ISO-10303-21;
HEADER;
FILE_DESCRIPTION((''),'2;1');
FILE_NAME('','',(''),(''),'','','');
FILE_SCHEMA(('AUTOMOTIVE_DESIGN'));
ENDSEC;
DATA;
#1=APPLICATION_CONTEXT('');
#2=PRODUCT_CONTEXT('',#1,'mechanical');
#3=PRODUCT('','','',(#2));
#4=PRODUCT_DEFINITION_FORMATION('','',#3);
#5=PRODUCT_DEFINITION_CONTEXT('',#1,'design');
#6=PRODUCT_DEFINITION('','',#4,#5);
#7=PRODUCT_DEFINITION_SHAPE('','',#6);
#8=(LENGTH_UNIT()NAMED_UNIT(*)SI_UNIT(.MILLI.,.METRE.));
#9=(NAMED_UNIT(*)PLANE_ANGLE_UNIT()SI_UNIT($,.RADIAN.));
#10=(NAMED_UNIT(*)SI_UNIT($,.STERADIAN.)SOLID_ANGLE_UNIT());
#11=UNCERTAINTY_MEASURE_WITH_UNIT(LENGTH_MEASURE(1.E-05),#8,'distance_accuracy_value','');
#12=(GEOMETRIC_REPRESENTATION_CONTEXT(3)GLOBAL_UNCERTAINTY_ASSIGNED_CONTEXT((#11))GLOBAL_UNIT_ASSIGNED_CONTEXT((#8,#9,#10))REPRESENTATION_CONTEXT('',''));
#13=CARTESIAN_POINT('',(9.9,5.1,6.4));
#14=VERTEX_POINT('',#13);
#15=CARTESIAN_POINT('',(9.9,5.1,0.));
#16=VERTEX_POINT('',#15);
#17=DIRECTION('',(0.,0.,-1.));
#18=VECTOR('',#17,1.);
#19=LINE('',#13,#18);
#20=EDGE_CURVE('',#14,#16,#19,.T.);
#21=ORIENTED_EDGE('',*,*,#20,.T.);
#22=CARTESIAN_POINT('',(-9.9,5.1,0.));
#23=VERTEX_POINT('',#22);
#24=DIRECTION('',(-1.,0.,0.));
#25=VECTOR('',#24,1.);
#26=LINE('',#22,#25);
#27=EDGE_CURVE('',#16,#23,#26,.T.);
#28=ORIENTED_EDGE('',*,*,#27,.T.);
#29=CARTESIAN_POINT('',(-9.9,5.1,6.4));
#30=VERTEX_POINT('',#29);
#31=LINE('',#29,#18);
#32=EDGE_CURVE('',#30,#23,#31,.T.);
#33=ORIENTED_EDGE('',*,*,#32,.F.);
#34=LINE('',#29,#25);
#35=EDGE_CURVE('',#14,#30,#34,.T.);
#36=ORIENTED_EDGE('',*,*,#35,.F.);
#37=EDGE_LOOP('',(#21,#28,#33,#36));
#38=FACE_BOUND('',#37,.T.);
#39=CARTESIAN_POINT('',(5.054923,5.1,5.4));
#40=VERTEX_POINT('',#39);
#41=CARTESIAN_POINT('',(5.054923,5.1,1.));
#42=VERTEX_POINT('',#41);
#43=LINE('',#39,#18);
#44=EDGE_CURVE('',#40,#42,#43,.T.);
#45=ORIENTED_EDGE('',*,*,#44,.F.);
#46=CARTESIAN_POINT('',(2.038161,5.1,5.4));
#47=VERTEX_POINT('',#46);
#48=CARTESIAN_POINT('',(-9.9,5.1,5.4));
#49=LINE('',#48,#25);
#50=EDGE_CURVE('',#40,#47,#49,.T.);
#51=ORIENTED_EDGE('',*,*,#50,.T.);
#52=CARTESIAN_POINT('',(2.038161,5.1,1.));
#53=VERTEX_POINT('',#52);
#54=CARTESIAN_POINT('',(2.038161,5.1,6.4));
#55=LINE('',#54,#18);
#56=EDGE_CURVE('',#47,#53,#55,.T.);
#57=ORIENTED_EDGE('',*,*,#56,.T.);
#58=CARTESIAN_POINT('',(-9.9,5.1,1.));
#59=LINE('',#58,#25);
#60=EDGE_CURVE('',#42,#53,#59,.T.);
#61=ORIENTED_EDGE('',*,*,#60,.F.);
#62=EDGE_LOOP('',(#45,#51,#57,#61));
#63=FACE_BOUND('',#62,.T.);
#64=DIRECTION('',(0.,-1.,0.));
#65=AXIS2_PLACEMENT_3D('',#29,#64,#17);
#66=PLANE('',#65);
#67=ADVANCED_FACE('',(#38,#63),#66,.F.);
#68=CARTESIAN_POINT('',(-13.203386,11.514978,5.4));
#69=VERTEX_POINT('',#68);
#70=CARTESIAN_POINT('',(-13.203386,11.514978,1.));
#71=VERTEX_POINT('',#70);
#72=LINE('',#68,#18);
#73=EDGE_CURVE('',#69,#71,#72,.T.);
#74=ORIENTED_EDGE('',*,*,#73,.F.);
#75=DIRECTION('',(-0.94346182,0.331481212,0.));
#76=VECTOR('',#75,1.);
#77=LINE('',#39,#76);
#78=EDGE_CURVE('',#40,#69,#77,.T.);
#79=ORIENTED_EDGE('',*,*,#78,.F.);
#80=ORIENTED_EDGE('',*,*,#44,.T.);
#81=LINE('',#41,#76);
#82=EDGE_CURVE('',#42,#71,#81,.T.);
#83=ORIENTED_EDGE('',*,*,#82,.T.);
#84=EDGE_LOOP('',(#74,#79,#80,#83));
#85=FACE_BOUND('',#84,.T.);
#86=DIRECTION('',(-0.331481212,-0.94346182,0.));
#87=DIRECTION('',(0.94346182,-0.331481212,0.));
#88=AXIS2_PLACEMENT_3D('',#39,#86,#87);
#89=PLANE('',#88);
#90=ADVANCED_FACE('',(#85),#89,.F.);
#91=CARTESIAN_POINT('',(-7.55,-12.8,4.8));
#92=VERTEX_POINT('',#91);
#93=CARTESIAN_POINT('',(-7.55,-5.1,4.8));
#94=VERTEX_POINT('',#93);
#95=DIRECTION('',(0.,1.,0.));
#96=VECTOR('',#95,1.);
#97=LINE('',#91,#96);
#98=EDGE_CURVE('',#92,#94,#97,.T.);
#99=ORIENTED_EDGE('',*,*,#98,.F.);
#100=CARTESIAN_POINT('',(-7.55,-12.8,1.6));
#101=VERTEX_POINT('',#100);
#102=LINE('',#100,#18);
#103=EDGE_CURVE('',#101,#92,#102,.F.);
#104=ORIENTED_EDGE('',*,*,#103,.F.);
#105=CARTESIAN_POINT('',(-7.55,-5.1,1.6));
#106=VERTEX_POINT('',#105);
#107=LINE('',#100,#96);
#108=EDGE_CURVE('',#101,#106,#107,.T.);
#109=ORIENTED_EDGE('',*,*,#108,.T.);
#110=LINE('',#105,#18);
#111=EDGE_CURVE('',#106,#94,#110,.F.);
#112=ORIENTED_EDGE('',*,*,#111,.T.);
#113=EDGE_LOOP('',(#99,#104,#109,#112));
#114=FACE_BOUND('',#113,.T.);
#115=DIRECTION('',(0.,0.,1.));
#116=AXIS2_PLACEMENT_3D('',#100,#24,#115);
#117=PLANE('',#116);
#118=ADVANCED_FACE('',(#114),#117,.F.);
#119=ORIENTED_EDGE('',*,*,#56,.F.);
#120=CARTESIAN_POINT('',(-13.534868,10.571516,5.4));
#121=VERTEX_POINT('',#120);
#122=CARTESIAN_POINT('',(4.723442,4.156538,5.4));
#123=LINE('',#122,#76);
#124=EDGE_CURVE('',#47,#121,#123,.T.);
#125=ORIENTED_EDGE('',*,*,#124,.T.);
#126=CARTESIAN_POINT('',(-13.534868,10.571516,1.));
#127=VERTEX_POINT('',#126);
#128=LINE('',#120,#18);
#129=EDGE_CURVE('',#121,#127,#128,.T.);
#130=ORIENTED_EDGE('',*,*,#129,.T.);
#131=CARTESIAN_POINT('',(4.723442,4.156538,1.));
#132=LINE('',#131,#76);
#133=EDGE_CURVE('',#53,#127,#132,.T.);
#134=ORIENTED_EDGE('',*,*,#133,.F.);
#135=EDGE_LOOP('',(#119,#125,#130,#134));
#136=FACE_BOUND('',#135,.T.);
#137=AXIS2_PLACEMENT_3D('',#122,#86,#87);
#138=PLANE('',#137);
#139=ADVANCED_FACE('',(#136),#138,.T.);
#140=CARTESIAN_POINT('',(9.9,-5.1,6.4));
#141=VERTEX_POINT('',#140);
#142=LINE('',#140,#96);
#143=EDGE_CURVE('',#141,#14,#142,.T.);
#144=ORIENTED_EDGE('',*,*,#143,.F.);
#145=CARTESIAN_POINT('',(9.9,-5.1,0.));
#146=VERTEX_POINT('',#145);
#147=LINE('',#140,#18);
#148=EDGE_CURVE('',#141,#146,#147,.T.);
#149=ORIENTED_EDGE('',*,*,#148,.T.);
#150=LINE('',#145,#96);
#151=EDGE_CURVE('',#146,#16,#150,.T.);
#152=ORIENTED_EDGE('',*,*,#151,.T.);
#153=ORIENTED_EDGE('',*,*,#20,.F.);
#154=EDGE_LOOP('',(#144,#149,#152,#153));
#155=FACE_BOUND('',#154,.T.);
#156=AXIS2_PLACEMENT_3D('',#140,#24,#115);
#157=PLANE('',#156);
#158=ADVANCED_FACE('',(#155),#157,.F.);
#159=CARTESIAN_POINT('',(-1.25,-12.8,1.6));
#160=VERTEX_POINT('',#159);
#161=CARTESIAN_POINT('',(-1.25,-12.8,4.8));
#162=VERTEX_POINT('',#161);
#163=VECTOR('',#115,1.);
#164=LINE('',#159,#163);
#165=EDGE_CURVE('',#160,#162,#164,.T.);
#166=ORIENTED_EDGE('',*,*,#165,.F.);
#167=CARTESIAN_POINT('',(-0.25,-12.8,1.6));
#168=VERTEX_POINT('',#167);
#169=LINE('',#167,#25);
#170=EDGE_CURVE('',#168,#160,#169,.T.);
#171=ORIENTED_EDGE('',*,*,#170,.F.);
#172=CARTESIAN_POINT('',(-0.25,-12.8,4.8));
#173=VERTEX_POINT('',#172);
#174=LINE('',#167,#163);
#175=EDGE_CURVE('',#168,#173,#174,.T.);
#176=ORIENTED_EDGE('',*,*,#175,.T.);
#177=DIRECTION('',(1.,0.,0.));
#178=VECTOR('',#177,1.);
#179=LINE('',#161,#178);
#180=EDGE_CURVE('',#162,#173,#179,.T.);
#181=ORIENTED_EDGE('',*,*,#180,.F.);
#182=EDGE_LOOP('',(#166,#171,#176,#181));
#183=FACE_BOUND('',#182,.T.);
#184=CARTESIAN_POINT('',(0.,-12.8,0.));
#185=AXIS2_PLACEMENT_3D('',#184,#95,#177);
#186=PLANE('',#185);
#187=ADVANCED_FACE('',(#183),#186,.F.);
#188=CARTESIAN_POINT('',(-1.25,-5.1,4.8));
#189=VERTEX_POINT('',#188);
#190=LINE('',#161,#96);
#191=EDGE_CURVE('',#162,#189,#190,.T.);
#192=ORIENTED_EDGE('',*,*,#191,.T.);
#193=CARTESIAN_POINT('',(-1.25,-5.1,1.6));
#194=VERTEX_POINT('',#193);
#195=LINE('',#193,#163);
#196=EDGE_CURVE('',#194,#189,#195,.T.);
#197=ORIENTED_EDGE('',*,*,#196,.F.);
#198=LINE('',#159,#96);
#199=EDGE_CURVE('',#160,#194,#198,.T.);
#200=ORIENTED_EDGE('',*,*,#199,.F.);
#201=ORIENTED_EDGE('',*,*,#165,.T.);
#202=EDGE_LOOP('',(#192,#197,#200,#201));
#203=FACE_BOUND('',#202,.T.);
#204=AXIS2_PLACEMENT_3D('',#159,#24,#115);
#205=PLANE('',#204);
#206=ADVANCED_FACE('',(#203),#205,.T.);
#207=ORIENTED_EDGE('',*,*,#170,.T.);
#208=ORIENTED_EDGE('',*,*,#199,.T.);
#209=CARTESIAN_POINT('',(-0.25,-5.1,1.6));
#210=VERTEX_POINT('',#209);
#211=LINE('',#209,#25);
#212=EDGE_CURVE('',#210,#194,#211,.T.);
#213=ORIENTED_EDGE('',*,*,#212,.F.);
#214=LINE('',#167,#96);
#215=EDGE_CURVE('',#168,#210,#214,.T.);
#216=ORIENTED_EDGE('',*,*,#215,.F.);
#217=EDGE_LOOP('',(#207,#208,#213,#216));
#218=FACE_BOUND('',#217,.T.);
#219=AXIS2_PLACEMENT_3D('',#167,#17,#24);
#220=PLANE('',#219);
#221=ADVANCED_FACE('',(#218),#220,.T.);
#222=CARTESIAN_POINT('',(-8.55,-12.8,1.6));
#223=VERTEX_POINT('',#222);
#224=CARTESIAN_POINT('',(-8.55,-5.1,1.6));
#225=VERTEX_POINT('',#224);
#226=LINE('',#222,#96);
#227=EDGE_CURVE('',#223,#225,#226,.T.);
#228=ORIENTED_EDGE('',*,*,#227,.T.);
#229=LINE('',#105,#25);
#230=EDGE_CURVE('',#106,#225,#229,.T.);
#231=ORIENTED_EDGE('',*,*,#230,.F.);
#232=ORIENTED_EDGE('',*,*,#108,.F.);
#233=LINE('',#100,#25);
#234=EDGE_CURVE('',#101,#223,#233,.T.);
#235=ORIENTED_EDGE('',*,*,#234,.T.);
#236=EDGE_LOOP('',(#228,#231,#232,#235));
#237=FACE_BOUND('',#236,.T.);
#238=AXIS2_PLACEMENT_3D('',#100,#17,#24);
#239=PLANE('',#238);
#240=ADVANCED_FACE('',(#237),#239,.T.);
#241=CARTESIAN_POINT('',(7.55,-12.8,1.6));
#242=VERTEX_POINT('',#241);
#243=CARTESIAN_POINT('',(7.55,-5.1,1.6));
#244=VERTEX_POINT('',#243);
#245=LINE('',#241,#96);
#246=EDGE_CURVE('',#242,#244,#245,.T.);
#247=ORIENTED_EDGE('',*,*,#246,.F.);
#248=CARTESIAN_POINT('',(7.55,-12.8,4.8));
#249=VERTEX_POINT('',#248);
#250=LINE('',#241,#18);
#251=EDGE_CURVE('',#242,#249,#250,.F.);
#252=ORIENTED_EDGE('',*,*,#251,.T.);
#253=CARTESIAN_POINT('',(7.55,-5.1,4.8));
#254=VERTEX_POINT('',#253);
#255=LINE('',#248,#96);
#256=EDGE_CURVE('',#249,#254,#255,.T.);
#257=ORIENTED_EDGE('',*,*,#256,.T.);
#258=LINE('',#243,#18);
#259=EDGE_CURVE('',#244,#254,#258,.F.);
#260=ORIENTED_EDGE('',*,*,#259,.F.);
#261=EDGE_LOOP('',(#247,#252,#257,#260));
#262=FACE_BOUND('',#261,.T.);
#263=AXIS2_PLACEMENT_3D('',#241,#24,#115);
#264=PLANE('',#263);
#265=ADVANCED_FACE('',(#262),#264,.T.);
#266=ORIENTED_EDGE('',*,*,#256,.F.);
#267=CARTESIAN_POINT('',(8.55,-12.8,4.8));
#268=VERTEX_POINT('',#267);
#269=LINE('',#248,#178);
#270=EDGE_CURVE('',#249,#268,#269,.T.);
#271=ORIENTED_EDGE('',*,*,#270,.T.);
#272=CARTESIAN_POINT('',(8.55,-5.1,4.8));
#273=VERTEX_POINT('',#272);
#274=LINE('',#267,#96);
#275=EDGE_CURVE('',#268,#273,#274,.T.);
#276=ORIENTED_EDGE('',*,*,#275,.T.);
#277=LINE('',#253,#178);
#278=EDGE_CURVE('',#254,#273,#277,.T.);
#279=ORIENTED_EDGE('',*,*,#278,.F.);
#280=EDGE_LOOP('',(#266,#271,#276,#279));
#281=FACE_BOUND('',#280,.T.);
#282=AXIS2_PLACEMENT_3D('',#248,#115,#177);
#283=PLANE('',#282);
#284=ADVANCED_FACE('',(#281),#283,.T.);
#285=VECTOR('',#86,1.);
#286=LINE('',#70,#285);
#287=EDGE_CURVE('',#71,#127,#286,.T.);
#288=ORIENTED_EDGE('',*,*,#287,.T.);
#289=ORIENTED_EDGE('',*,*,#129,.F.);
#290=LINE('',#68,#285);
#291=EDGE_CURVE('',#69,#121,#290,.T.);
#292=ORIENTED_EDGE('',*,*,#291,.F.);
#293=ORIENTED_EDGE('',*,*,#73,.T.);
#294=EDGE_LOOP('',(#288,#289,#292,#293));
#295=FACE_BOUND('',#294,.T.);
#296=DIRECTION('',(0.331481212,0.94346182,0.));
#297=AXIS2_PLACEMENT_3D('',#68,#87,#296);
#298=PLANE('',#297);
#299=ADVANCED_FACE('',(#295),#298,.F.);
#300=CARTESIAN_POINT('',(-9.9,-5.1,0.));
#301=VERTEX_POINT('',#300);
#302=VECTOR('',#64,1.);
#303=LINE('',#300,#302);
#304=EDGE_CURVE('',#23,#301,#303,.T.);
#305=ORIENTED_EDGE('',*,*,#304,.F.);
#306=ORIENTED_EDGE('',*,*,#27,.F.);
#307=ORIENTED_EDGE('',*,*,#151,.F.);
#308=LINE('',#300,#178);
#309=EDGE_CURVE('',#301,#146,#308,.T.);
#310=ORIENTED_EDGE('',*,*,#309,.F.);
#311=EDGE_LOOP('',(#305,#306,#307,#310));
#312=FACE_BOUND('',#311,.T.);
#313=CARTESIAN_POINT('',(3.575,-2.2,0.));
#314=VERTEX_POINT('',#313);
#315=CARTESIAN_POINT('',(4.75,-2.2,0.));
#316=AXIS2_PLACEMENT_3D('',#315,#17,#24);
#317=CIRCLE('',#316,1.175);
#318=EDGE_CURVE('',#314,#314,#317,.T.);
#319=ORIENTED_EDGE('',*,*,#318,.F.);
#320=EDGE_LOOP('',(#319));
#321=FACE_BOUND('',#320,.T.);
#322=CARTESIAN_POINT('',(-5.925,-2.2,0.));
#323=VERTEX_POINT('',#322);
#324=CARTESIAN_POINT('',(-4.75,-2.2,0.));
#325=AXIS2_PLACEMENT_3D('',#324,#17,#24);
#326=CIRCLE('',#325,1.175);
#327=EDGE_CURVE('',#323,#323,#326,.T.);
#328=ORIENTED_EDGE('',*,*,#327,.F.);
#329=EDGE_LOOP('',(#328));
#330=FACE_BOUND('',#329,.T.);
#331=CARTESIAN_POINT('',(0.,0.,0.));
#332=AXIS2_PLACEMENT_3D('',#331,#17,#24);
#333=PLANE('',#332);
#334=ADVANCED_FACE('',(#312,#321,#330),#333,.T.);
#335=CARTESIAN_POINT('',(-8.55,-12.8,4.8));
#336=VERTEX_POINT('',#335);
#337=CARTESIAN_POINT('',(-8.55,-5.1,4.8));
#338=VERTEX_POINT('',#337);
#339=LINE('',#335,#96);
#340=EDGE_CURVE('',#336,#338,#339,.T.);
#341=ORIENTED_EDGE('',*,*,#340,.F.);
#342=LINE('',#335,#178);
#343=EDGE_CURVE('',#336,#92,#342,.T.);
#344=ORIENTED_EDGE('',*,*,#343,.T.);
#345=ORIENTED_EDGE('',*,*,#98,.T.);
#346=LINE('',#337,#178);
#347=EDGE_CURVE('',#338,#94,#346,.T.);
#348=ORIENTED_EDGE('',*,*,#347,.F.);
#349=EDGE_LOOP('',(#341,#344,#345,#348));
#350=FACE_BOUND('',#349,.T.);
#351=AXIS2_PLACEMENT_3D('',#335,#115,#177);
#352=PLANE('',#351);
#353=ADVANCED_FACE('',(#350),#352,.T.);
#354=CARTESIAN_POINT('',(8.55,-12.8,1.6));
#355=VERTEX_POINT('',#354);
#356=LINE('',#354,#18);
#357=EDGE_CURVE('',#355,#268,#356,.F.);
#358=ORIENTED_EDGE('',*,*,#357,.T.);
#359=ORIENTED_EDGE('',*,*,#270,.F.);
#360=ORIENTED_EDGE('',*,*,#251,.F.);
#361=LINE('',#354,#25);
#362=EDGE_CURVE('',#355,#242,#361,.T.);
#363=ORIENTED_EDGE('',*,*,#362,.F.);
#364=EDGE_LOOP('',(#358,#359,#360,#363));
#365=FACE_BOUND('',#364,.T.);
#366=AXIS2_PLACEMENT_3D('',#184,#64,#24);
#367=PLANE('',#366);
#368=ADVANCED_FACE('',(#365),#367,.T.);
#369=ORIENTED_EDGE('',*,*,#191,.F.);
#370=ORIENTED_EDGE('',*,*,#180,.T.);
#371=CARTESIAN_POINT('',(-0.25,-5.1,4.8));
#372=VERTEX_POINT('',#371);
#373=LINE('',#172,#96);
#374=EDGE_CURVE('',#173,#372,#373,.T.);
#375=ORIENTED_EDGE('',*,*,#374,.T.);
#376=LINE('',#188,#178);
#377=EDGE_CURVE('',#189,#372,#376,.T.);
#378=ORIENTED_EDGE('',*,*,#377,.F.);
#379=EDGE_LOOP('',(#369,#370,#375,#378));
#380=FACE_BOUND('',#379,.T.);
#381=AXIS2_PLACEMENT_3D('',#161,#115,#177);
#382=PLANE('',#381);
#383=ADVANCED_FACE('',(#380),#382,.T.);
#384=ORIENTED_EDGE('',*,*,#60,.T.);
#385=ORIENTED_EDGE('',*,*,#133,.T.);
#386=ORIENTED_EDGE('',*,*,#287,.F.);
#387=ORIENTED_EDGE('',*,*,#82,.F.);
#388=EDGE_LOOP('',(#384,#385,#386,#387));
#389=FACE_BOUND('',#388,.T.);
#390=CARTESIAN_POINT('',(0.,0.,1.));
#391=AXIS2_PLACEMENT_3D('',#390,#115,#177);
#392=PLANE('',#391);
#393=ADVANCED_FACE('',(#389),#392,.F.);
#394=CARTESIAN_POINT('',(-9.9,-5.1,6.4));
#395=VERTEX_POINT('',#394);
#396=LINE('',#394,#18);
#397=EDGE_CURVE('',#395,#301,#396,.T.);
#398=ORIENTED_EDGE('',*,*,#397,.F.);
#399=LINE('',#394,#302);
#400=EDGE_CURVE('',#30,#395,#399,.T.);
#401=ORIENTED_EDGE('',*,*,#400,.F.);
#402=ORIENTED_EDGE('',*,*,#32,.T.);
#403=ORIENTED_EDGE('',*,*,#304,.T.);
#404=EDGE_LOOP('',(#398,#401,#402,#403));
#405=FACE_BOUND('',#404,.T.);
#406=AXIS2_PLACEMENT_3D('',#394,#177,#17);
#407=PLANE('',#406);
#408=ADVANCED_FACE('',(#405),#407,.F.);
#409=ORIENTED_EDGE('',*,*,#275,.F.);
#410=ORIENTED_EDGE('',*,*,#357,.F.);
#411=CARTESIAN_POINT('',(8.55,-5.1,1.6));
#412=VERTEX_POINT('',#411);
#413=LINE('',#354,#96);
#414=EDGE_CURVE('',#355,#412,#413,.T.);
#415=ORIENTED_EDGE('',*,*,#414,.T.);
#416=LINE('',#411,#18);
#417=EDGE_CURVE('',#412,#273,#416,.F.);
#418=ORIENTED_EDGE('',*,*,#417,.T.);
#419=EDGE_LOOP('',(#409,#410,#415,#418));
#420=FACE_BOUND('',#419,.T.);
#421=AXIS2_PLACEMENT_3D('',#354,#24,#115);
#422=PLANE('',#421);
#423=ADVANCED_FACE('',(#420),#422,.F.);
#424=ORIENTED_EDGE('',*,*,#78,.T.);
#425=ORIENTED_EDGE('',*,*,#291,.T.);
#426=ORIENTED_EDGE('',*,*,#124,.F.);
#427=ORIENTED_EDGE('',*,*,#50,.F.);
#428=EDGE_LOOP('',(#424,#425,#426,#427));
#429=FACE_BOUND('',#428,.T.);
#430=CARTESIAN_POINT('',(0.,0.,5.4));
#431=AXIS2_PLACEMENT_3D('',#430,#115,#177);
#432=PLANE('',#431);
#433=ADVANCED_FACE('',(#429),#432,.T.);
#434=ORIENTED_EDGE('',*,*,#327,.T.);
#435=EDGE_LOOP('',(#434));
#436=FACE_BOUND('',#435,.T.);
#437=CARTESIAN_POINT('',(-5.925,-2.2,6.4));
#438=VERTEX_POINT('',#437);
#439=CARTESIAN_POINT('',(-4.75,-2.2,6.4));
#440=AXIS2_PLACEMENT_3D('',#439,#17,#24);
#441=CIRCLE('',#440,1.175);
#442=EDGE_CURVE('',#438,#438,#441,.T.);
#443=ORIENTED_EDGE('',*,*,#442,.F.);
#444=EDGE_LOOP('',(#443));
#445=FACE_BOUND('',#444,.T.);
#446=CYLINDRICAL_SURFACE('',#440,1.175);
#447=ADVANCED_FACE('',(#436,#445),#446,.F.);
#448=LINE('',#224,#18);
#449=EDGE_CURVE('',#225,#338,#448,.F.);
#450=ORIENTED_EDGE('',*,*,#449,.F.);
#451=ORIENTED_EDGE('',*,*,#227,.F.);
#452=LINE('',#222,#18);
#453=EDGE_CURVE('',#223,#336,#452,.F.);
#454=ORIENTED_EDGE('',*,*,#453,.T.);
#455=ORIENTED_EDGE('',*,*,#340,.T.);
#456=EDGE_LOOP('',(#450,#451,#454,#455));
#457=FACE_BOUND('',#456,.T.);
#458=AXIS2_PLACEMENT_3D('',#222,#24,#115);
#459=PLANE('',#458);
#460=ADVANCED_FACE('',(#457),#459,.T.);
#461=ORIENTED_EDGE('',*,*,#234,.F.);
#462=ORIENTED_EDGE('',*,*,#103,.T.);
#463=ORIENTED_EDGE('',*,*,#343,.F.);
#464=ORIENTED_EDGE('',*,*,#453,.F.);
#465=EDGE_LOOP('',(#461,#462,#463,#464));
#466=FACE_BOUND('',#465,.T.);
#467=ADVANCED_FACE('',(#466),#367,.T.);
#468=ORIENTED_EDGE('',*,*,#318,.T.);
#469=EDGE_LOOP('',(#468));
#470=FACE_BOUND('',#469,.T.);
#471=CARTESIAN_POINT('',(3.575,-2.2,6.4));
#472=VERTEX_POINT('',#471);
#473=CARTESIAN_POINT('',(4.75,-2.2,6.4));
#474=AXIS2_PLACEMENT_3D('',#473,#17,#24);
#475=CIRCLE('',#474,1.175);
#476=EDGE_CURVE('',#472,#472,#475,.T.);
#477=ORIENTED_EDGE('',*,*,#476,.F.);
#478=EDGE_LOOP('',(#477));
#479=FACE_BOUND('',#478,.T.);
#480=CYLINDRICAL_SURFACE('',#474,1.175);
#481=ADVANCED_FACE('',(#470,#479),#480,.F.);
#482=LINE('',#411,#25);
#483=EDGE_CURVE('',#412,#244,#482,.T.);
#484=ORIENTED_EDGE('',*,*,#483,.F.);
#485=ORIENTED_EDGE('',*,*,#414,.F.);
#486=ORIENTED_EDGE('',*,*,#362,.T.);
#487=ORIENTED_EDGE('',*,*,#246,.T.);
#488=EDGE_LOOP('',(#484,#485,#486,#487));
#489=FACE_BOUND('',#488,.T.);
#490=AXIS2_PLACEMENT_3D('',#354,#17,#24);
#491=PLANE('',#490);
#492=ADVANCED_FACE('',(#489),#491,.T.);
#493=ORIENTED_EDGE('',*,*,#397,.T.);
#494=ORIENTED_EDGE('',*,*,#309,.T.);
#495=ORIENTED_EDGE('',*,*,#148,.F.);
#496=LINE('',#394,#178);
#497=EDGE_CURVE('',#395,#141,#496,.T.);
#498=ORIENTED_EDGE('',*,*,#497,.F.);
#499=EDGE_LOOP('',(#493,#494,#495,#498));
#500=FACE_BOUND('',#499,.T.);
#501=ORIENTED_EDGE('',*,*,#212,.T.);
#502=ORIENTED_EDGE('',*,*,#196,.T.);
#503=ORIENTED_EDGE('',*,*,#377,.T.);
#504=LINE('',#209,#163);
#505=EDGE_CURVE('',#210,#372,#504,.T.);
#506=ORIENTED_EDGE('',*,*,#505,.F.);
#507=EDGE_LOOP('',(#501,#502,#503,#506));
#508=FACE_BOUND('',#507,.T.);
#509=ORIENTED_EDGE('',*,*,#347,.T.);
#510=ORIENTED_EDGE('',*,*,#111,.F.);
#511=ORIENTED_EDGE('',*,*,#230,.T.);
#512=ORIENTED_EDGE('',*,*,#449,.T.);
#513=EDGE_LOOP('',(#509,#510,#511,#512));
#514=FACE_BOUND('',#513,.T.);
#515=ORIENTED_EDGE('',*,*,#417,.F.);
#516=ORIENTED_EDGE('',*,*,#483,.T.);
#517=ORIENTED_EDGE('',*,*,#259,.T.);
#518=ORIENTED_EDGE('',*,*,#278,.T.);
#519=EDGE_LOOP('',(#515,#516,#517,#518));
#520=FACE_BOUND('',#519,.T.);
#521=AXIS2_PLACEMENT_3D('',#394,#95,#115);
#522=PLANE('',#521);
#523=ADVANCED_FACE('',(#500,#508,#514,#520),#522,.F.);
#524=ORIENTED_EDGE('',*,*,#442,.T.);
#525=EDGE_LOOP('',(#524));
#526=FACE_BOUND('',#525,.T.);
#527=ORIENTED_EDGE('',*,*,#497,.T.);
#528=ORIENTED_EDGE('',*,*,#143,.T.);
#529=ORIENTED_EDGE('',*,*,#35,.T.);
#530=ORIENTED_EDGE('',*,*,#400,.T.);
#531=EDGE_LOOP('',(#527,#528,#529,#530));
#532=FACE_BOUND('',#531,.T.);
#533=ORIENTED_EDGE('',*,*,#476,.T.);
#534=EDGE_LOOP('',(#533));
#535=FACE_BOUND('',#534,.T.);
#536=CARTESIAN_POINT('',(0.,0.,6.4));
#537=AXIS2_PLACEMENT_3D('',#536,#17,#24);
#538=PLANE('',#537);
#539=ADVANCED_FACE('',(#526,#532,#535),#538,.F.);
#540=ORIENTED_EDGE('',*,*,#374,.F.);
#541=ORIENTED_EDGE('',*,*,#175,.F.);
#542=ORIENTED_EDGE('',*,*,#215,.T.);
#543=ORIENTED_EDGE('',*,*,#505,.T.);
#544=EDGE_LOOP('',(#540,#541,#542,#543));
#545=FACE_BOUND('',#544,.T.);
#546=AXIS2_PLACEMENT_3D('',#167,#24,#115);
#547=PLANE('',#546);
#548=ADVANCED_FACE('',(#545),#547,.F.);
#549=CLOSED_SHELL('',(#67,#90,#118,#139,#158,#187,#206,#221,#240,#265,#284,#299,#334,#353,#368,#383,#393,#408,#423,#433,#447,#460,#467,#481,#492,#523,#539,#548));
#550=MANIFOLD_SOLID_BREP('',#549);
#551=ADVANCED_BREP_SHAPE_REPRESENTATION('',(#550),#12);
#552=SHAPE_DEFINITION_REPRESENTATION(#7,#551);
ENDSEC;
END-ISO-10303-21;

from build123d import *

# Parameters (mm, degrees)
SKETCH_1_W          = 19.8
SKETCH_1_H          = 10.2
EXTRUDE_1_DEPTH     = 6.4
SKETCH_2_R          = 1.175
CUT_EXTRUDE_1_DEPTH = 7.4
SKETCH_3_W          = 1
SKETCH_3_H          = 3.2
EXTRUDE_1_2_DEPTH   = 7.7
EXTRUDE_START       = -1
EXTRUDE_2_DEPTH     = 4.4


with BuildPart() as part:
    # 草图1 → Extrude 1 (new body)
    with BuildSketch(Plane.XY):
        Rectangle(SKETCH_1_W, SKETCH_1_H)
    extrude(amount=EXTRUDE_1_DEPTH)

    # 草图2 → 切除-拉伸1 (cut, through all)
    with BuildSketch(Plane(origin=(0, 0, 0), x_dir=(-1, 0, 0), z_dir=(0, 0, -1))):
        with Locations((-4.75, -2.2)):
            Circle(SKETCH_2_R)
        with Locations((4.75, -2.2)):
            Circle(SKETCH_2_R)
    extrude(amount=-CUT_EXTRUDE_1_DEPTH, mode=Mode.SUBTRACT)

    # 草图3 → Extrude 1 2 (add)
    with BuildSketch(Plane(origin=(0, -5.1, 0), x_dir=(-1, 0, 0), z_dir=(0, -1, 0))):
        with Locations((-8.05, -3.2)):
            Rectangle(SKETCH_3_W, SKETCH_3_H)
        with Locations((0.75, -3.2)):
            Rectangle(SKETCH_3_W, SKETCH_3_H)
        with Locations((8.05, -3.2)):
            Rectangle(SKETCH_3_W, SKETCH_3_H)
    extrude(amount=EXTRUDE_1_2_DEPTH)

    # 草图4 → 拉伸-薄壁2 (add)
    with BuildSketch(Plane(origin=(0, 0, 0), x_dir=(-1, 0, 0), z_dir=(0, 0, -1)).offset(EXTRUDE_START)):
        Polygon((-5.054923372, 5.1), (13.203386491, 11.514977847), (13.534867703, 10.571516026), (-4.723442161, 4.15653818), align=None)
    extrude(amount=-EXTRUDE_2_DEPTH)


solid = part.part
